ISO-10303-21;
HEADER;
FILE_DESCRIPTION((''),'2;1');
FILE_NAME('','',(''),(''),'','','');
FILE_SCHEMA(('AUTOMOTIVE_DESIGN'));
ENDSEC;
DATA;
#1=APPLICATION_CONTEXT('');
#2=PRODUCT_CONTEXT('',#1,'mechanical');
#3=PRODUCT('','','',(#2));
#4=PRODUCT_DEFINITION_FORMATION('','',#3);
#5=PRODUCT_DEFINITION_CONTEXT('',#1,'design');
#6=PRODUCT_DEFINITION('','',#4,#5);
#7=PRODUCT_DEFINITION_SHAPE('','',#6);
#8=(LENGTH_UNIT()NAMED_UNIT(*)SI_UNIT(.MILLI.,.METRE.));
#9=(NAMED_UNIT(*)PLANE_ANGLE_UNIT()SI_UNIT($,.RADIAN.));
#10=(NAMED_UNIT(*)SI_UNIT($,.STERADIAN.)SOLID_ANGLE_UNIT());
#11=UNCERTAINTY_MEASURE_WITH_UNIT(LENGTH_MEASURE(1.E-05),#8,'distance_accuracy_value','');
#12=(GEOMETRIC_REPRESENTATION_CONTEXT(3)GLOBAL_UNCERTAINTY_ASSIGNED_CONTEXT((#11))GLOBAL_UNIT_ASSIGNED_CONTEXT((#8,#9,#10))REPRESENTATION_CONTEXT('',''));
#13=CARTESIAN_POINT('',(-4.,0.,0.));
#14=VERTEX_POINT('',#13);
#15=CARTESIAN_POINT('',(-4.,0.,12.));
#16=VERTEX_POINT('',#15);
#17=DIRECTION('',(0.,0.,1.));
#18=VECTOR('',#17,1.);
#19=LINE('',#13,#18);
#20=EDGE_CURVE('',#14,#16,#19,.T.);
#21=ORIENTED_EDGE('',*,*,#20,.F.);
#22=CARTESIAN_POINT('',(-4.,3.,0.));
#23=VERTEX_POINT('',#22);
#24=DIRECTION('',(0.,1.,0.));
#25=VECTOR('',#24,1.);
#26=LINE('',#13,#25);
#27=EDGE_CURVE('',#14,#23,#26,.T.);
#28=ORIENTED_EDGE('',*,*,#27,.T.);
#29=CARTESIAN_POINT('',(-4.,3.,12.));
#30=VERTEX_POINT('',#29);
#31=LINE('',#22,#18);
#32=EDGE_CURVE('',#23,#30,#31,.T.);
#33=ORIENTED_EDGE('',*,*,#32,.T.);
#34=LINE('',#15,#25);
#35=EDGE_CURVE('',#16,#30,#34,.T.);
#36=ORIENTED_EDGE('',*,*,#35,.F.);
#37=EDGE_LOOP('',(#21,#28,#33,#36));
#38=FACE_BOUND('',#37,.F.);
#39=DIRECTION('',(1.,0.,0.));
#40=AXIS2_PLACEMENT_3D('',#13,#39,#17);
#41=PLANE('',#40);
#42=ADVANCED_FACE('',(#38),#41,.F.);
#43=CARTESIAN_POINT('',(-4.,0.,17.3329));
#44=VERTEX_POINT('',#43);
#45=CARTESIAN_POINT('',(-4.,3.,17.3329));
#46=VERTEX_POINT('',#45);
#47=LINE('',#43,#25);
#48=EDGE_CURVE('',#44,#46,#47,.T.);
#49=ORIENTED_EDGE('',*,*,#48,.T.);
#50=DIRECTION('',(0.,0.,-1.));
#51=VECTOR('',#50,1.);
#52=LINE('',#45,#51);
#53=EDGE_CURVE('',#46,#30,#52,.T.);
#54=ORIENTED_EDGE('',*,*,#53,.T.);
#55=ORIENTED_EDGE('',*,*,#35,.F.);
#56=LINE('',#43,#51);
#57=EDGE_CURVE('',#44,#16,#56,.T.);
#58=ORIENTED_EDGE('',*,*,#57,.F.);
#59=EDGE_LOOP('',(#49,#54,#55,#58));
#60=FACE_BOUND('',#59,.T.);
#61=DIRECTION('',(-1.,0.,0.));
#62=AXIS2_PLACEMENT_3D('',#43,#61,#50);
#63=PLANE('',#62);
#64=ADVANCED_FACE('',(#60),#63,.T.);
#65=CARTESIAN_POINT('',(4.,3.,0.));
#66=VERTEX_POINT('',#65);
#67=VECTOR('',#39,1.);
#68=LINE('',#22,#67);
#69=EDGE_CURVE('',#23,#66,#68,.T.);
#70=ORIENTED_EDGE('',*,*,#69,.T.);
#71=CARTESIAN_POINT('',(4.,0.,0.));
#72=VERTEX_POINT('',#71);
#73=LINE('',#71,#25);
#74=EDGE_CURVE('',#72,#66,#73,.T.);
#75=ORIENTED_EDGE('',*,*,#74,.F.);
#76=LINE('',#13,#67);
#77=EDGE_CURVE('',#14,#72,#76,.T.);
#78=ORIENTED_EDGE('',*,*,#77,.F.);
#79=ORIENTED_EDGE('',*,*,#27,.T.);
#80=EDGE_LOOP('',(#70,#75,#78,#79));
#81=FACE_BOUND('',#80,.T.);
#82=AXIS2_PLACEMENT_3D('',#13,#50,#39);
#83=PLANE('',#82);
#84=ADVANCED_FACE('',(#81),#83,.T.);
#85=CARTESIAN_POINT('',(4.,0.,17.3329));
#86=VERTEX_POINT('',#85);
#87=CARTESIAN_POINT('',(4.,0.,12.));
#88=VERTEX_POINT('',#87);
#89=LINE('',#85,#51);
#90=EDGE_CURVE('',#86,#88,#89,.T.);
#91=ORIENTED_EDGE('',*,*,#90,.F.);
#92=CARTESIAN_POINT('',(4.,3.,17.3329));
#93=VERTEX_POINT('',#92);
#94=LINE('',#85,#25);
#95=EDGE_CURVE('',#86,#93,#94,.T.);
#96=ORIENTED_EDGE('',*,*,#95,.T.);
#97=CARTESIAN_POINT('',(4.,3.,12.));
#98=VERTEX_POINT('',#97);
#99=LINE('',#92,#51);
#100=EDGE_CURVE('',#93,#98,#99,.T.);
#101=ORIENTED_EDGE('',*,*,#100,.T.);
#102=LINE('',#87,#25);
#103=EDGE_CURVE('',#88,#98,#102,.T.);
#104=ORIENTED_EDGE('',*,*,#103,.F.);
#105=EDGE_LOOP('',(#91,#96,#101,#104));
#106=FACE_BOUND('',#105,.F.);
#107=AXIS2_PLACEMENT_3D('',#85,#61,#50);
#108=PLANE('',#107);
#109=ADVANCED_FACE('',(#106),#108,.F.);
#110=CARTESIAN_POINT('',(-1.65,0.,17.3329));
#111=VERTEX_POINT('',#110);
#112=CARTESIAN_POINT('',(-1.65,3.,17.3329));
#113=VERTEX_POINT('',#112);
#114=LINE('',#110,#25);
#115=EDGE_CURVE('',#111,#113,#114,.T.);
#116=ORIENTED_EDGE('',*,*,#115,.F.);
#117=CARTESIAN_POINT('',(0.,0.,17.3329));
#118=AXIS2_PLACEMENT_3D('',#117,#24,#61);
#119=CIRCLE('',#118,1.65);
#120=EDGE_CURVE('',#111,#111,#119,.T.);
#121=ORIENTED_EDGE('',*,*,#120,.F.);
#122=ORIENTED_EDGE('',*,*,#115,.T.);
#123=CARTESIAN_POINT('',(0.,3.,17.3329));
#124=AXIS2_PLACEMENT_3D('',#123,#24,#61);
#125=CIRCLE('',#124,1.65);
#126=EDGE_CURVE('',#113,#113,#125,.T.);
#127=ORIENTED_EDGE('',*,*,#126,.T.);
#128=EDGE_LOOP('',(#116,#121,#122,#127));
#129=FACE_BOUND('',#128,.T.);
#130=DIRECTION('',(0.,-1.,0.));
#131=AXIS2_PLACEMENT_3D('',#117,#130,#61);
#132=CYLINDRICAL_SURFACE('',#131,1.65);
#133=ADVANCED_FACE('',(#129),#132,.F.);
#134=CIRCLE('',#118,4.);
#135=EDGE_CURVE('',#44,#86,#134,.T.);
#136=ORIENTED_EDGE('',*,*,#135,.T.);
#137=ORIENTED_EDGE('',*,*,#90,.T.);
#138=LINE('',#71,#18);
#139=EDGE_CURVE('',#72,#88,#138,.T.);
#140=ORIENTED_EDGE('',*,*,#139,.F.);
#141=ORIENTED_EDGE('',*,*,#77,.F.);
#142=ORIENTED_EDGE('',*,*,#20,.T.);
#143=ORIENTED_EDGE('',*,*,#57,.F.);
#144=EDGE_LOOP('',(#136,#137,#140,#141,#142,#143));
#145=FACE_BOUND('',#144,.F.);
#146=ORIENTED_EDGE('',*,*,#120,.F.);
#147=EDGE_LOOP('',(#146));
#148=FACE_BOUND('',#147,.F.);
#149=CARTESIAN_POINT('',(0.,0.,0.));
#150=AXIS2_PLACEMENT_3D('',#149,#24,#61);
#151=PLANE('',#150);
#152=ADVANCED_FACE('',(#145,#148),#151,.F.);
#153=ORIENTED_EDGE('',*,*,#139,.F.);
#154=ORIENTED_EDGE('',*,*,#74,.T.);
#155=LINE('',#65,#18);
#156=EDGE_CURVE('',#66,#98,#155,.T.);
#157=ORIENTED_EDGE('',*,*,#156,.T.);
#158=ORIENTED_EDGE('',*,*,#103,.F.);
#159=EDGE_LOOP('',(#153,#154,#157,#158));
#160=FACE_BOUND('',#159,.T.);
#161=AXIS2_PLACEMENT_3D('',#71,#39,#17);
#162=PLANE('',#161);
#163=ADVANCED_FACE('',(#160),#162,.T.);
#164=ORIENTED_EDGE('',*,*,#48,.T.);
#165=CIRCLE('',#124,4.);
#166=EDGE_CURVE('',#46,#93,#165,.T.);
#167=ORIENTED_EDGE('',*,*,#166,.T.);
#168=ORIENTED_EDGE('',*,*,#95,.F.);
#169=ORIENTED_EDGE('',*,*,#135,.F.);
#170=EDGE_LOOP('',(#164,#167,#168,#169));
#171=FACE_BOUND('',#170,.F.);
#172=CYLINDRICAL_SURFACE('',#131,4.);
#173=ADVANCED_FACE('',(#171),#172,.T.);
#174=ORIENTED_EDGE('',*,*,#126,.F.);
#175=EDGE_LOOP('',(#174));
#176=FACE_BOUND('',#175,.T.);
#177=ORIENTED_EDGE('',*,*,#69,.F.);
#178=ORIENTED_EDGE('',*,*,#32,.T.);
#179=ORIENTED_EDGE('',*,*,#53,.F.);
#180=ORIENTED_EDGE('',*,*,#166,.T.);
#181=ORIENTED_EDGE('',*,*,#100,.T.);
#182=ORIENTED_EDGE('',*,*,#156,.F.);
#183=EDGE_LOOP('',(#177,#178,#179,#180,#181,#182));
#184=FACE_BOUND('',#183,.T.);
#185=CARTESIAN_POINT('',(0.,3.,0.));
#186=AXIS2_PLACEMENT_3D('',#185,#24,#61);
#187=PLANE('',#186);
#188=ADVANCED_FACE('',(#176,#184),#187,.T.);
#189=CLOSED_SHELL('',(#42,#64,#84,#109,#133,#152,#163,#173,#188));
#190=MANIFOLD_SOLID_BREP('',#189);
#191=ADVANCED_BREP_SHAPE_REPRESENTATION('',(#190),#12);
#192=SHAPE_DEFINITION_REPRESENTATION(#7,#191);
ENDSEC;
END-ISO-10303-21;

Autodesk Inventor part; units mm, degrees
ref_plane "YZ Plane" through (0, 0, 0) normal (1, 0, 0) x (0, 1, 0)
ref_plane "XZ Plane" through (0, 0, 0) normal (0, 1, 0) x (-1, 0, 0)
ref_plane "XY Plane" through (0, 0, 0) normal (0, 0, 1) x (1, 0, 0)
sketch "Sketch1" plane through (0, 0, 0) normal (0, 1, 0) x (-1, 0, 0)
  line L0 (4, 0) -> (-4, 0)
  line L1 (4, 0) -> (4, 12)
  line L2 (-4, 0) -> (-4, 12)
  arc A0 (4, 17.3329) -> (-4, 17.3329) centre (0, 17.3329) ccw
  line L3 (4, 17.3329) -> (4, 12)
  line L4 (-4, 17.3329) -> (-4, 12)
  circle A1 centre (0, 17.3329) radius 1.65
  point P0 (0, 0)
  point P1 (0, 0)
  dimension "d0" = 8
  dimension "d1" = 12
  dimension "d9" = 8
  dimension "d12" = 3.3
extrude "Extrusion1" add sketch "Sketch1" along normal blind 3
